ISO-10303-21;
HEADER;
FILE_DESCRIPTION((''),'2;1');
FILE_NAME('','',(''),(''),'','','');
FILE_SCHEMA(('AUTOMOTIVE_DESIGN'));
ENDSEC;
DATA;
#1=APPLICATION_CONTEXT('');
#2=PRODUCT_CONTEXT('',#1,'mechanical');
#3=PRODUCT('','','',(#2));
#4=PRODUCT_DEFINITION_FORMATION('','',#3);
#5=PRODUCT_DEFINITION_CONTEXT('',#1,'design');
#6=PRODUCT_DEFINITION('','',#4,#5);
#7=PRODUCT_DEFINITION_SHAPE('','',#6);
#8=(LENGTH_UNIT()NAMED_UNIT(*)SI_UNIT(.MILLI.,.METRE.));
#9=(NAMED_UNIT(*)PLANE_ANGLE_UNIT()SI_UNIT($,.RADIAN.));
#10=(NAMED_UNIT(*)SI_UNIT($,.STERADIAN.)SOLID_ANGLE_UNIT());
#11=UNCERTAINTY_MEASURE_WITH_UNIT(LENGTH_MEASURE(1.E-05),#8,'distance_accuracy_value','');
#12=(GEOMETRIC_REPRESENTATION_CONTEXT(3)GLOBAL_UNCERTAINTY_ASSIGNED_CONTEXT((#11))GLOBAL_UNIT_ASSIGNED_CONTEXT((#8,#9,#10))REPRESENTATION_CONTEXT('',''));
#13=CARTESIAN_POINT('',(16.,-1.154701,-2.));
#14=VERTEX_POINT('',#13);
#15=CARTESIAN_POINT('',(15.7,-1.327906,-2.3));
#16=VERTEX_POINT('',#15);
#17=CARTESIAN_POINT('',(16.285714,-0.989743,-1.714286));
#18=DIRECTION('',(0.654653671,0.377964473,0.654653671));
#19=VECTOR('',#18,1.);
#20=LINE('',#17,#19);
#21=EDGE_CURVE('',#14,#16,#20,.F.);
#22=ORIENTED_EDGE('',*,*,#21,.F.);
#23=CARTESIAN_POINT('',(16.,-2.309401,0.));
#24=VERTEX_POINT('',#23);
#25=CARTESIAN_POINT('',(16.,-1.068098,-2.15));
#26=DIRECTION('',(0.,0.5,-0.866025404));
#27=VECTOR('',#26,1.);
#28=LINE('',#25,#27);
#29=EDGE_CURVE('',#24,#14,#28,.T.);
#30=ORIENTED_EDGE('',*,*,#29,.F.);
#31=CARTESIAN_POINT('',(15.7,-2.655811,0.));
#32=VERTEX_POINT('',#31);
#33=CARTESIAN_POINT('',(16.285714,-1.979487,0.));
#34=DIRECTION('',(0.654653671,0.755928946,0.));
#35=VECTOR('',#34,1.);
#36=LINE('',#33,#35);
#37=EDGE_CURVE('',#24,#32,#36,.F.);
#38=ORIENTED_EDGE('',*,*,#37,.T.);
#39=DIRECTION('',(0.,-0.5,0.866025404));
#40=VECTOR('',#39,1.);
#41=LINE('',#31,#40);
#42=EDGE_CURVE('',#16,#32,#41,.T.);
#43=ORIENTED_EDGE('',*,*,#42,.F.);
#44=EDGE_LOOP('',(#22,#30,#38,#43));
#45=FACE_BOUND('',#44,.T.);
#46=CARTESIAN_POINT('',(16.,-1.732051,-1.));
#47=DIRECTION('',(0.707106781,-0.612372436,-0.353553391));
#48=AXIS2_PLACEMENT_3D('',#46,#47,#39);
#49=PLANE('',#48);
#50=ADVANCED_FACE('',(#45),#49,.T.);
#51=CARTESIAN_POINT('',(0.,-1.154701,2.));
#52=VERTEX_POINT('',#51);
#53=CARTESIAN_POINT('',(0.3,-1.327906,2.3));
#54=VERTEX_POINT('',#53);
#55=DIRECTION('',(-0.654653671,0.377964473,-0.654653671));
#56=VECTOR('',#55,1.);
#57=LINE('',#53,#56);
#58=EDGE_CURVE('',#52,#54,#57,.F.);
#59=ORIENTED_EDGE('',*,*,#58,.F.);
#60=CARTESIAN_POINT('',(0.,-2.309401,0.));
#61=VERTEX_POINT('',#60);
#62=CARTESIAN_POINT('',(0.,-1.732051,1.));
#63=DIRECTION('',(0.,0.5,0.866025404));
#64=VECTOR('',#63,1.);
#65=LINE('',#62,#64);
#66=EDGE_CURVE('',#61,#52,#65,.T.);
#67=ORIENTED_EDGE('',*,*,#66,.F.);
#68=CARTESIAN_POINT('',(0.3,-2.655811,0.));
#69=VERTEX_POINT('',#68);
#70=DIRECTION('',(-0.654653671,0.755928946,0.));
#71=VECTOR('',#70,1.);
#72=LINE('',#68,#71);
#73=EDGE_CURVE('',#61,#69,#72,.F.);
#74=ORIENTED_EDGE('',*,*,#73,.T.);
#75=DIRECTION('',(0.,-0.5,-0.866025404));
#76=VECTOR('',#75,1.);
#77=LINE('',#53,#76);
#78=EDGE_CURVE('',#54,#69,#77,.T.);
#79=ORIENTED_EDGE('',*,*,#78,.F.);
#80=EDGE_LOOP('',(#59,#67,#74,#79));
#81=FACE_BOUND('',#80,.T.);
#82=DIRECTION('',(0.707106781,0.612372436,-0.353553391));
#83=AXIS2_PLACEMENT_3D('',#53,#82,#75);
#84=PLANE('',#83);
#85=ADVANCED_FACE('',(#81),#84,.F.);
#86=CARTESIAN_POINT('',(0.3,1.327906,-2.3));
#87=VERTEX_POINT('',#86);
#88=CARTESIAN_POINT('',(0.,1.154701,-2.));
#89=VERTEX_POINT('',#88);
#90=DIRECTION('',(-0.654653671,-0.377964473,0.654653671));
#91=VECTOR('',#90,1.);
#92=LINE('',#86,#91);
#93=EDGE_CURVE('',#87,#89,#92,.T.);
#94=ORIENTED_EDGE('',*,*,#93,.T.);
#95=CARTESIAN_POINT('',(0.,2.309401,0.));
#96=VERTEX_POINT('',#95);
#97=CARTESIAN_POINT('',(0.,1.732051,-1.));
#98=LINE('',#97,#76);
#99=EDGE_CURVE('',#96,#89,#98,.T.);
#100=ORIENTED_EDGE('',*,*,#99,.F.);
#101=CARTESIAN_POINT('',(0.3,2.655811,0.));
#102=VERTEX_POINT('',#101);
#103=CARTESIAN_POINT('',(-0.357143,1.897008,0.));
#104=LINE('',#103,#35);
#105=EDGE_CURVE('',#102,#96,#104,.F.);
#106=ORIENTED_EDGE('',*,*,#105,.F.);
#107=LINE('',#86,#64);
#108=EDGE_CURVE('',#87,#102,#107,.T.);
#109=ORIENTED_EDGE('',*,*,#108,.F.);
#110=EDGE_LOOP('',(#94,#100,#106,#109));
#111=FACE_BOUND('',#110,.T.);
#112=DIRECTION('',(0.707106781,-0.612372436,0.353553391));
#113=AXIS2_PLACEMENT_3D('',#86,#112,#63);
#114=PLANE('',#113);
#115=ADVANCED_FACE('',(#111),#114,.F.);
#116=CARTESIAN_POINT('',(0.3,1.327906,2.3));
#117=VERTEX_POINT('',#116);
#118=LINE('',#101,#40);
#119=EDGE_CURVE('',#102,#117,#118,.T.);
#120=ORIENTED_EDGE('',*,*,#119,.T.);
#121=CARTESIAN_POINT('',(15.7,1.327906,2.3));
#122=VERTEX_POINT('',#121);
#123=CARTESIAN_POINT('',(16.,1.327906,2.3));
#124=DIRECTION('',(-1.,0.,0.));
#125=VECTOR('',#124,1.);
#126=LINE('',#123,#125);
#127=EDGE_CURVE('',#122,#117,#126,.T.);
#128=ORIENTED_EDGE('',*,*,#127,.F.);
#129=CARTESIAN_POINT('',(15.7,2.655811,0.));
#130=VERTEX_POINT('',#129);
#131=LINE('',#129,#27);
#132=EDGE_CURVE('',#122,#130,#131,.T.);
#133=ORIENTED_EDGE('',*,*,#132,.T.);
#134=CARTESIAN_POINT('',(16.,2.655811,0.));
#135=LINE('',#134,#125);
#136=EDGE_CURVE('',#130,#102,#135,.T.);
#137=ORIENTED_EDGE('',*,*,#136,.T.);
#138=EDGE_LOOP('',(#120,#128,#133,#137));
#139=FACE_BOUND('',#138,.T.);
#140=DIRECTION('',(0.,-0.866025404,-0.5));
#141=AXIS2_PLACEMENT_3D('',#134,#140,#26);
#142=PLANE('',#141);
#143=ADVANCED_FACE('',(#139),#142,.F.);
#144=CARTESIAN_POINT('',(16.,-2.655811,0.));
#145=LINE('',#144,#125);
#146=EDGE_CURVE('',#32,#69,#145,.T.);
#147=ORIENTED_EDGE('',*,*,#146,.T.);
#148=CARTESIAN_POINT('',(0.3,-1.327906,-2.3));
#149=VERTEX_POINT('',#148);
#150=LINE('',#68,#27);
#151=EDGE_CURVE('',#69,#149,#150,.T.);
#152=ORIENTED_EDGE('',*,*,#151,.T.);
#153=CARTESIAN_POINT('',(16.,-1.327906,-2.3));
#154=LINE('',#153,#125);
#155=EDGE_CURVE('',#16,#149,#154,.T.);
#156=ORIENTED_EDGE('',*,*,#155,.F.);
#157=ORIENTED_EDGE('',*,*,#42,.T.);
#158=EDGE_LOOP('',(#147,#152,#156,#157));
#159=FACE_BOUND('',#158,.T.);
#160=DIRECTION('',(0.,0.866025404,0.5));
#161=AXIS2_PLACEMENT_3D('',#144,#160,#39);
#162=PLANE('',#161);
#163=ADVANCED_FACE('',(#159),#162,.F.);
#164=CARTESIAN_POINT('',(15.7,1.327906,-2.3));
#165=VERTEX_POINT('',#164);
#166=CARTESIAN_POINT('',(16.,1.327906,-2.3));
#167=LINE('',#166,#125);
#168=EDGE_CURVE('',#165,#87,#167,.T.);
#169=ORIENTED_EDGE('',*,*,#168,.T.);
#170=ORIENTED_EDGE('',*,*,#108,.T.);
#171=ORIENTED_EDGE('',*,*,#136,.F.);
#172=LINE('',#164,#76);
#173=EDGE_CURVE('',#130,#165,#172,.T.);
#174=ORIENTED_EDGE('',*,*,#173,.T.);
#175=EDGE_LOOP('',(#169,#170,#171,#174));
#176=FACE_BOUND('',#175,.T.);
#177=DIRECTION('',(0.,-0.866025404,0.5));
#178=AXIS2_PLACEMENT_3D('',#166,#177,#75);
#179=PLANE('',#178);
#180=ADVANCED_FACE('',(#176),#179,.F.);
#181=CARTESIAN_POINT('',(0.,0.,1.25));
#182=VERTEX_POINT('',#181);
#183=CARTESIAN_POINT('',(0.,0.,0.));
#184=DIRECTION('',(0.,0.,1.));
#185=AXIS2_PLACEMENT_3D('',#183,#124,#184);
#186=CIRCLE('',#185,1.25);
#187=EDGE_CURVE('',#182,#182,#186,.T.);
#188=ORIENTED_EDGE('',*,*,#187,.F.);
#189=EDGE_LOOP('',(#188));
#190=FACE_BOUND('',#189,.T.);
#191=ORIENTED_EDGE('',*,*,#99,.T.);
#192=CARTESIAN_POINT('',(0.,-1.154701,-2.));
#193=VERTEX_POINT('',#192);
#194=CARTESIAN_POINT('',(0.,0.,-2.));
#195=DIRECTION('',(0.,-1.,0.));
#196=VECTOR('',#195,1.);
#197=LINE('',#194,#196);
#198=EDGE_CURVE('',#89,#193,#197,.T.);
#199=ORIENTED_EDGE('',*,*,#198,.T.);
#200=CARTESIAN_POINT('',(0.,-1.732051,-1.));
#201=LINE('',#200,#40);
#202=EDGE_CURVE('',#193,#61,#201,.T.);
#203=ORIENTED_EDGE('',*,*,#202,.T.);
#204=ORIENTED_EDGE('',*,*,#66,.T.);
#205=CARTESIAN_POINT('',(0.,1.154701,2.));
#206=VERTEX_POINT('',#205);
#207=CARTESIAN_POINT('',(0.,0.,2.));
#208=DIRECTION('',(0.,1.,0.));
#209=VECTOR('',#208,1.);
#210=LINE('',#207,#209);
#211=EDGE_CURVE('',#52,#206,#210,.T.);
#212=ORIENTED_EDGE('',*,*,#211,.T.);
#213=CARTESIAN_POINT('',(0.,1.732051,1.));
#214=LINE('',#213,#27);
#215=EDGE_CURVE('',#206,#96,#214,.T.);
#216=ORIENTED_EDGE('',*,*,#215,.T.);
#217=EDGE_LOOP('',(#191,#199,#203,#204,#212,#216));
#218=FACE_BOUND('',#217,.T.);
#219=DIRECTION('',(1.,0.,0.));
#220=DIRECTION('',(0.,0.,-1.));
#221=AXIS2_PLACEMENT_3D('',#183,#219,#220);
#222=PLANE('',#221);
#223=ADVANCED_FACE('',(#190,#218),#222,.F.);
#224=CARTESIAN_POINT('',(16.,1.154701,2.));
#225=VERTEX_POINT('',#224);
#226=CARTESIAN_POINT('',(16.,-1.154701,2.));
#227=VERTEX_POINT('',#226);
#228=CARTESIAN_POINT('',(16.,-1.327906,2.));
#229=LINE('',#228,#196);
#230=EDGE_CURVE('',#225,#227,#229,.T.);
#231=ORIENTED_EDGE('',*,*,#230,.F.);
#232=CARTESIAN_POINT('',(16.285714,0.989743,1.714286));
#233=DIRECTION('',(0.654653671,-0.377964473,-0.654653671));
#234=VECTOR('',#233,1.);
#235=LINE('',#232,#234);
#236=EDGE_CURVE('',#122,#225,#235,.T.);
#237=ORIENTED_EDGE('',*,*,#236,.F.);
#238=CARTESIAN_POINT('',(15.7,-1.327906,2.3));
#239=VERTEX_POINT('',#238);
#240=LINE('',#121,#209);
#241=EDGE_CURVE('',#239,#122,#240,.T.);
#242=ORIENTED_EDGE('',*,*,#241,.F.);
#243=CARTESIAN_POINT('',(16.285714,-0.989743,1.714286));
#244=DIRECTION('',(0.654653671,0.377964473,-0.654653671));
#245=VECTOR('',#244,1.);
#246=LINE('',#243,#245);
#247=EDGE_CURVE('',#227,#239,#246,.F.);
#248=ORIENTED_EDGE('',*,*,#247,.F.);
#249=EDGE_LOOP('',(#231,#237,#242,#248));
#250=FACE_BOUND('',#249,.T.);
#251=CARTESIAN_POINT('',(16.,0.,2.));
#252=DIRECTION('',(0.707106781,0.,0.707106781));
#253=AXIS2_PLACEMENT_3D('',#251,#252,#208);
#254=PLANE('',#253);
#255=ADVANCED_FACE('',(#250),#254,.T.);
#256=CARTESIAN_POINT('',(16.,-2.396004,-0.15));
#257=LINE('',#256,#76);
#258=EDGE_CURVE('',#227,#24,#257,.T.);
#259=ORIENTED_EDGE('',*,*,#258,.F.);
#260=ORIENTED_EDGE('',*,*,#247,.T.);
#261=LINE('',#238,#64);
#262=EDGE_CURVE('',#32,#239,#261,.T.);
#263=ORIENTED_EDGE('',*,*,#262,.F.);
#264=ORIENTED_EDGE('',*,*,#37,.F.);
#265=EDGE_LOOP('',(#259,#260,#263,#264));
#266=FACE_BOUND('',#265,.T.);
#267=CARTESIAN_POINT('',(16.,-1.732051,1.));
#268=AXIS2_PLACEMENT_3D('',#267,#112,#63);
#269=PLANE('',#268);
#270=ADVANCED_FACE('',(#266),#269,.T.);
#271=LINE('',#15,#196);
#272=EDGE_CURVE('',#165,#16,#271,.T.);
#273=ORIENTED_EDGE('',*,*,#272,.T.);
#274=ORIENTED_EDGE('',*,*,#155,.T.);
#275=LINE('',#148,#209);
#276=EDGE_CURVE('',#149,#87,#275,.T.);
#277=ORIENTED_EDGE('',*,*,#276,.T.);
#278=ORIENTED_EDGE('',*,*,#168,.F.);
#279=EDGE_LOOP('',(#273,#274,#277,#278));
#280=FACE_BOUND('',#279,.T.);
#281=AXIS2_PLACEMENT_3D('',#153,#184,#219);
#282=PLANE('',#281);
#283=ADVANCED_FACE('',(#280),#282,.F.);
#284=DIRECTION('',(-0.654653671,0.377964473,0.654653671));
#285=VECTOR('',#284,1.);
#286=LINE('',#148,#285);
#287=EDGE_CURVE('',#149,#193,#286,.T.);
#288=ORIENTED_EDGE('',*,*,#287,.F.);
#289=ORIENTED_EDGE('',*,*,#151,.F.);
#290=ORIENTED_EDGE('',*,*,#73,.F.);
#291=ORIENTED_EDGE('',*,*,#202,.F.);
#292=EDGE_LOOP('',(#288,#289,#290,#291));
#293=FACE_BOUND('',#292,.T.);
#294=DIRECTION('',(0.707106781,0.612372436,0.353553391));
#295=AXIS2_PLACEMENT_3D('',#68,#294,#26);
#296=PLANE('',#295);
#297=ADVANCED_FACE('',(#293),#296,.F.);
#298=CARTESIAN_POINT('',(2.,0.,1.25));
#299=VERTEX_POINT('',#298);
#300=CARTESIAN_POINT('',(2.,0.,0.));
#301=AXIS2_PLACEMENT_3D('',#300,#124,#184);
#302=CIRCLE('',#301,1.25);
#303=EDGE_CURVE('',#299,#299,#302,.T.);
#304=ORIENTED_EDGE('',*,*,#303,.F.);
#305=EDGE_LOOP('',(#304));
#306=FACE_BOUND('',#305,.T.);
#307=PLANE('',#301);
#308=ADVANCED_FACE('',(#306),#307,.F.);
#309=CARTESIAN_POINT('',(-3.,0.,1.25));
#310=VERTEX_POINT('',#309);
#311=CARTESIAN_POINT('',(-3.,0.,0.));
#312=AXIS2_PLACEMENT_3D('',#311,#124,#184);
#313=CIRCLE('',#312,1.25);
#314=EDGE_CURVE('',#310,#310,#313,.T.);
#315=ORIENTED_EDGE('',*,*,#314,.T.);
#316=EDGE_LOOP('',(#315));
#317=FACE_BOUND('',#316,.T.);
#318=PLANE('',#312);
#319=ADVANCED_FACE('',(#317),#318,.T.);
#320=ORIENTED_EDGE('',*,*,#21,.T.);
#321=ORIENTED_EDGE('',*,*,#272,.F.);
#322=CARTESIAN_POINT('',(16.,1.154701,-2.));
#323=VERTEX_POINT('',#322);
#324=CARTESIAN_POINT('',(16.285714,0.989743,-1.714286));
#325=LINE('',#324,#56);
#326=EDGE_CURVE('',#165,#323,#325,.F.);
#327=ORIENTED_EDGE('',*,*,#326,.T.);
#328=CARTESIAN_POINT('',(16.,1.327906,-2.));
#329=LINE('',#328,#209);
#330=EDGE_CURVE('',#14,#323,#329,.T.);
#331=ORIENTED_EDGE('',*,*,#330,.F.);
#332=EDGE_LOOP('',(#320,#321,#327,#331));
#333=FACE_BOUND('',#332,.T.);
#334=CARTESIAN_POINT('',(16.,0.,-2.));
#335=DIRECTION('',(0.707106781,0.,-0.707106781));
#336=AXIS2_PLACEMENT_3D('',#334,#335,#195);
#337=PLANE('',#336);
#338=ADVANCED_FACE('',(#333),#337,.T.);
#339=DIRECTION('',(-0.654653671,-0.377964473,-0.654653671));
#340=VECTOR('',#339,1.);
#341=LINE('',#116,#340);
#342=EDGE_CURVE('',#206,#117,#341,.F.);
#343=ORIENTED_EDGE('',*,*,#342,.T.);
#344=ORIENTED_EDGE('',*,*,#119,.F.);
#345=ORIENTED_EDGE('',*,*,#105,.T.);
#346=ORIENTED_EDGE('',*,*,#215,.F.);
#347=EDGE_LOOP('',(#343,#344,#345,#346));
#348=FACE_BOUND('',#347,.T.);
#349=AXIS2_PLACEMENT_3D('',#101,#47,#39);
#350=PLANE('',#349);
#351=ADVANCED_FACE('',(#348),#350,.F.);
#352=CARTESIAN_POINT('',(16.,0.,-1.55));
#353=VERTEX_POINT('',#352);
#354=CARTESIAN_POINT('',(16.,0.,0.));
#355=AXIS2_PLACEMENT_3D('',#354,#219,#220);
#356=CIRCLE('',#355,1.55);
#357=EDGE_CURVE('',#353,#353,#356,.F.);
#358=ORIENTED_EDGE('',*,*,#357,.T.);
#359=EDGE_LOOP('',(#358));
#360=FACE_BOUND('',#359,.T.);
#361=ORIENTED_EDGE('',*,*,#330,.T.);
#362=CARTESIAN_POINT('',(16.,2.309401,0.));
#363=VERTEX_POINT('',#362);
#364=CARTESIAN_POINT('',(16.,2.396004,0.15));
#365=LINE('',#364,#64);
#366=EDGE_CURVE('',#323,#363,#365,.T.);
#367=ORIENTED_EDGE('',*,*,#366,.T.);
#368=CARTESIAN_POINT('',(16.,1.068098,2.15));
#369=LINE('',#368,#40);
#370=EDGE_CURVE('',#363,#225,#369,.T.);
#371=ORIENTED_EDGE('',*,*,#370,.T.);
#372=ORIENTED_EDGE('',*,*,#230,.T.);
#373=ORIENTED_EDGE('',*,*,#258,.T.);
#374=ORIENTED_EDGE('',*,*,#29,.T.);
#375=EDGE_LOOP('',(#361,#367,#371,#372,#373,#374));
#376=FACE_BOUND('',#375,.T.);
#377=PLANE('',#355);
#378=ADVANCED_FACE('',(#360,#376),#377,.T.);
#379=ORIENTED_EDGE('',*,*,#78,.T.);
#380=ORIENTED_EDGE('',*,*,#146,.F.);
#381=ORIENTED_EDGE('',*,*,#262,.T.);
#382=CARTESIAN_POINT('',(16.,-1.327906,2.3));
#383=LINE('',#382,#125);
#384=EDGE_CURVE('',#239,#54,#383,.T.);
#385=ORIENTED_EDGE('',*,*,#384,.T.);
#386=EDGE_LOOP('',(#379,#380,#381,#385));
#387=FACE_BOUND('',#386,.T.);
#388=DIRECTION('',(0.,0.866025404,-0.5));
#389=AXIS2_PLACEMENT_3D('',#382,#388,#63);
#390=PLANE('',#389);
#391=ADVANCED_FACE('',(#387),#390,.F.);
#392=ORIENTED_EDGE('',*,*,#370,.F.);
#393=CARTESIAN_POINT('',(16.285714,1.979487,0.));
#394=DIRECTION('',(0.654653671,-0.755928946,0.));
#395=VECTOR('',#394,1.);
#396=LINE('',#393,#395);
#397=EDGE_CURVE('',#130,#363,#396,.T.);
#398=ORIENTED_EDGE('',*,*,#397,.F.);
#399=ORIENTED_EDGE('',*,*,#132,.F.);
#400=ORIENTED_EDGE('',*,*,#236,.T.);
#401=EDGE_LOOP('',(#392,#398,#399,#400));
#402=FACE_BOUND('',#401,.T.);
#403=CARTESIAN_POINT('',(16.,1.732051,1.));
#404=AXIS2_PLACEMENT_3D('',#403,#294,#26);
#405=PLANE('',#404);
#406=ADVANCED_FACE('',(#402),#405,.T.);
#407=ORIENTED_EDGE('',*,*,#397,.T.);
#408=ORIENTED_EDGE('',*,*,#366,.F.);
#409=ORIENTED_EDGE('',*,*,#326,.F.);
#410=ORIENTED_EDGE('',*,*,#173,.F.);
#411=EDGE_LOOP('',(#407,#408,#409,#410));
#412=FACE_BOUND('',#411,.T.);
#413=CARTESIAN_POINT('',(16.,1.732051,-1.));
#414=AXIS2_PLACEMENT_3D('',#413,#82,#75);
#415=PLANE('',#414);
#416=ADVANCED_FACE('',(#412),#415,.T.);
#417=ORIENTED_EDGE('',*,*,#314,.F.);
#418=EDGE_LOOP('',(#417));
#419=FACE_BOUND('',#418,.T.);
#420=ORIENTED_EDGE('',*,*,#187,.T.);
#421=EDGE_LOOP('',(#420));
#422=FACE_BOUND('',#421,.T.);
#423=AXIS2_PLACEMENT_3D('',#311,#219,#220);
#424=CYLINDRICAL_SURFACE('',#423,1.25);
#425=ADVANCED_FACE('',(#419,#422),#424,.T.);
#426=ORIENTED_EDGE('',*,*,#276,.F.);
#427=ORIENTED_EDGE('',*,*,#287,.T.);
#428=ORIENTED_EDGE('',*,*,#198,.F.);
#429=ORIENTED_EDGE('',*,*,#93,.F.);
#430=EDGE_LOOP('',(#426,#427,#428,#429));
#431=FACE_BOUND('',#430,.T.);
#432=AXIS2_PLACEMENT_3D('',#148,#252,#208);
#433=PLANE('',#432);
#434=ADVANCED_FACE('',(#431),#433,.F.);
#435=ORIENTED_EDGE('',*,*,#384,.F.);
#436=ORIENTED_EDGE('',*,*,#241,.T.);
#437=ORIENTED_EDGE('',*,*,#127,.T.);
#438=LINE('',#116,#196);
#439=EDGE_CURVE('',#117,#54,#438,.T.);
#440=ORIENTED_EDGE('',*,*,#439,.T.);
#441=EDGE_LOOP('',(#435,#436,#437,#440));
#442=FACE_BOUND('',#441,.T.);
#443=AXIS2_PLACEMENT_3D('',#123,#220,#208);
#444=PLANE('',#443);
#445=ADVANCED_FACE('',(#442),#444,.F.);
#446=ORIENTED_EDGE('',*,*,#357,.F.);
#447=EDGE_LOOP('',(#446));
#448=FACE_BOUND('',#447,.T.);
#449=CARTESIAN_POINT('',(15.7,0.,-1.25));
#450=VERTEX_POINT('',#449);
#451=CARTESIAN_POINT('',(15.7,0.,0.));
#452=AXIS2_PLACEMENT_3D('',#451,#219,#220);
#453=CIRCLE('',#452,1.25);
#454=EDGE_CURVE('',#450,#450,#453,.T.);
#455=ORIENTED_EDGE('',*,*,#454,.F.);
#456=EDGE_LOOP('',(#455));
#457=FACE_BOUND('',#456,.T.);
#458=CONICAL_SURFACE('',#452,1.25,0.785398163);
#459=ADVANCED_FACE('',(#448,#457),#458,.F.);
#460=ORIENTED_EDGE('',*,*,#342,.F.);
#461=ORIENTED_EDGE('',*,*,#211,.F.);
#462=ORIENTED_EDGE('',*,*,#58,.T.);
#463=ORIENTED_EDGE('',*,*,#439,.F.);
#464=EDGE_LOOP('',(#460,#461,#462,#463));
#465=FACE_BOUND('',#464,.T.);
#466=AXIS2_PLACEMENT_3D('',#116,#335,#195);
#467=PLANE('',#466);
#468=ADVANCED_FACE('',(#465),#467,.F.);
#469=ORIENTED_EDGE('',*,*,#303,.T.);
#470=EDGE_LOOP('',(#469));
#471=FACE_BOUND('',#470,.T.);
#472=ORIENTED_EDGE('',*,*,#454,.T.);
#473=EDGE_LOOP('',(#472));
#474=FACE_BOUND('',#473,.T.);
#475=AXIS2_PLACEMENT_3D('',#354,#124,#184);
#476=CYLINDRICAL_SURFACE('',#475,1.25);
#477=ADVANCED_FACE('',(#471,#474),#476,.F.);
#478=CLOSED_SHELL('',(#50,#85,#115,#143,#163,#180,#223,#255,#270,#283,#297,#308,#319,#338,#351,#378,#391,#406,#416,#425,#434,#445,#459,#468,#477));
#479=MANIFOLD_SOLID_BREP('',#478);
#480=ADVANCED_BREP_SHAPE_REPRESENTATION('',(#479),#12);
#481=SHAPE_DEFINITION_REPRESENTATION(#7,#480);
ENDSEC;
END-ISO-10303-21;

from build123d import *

# Parameters (mm, degrees)
SKETCH_1_R      = 1.25
EXTRUDE_1_DEPTH = 16
CHAMFER_1_SIZE  = 0.3
SKETCH_2_R      = 1.55
EXTRUDE_2_DEPTH = 2
EXTRUDE_START   = 3
SKETCH_3_R      = 1.25
EXTRUDE_3_DEPTH = 3


with BuildPart() as part:
    # 草图1 → 凸台-拉伸1 (new body)
    with BuildSketch(Plane.YZ):
        Polygon((2.655811238, 0), (1.327905619, 2.3), (-1.327905619, 2.3), (-2.655811238, 0), (-1.327905619, -2.3), (1.327905619, -2.3), align=None)
        with Locations(Location((0, 0, 0), (0, 0, 270))):
            Circle(SKETCH_1_R, mode=Mode.SUBTRACT)
    extrude(amount=EXTRUDE_1_DEPTH)

    # 倒角1
    chamfer_1_edges = [part.edges().sort_by_distance(p)[0] for p in [
        (16, 0, 2.3),
        (16, -1.991858429, 1.15),
        (0, 0, 1.25),
        (16, 0, 1.25),
        (16, -1.991858429, -1.15),
        (16, 0, -2.3),
        (16, 1.991858429, -1.15),
        (0, 0, -2.3),
        (0, -1.991858429, -1.15),
        (0, -1.991858429, 1.15),
        (0, 0, 2.3),
        (0, 1.991858429, 1.15),
        (0, 1.991858429, -1.15),
        (16, 1.991858429, 1.15),
    ]]
    chamfer(chamfer_1_edges, length=CHAMFER_1_SIZE)

    # 草图2 → 凸台-拉伸2 (add)
    with BuildSketch(Plane.ZY):
        Circle(SKETCH_2_R)
    extrude(amount=-EXTRUDE_2_DEPTH)

    # 草图3 → 凸台-拉伸3 (add)
    with BuildSketch(Plane.ZY.offset(EXTRUDE_START)):
        Circle(SKETCH_3_R)
    extrude(amount=-EXTRUDE_3_DEPTH)


solid = part.part
